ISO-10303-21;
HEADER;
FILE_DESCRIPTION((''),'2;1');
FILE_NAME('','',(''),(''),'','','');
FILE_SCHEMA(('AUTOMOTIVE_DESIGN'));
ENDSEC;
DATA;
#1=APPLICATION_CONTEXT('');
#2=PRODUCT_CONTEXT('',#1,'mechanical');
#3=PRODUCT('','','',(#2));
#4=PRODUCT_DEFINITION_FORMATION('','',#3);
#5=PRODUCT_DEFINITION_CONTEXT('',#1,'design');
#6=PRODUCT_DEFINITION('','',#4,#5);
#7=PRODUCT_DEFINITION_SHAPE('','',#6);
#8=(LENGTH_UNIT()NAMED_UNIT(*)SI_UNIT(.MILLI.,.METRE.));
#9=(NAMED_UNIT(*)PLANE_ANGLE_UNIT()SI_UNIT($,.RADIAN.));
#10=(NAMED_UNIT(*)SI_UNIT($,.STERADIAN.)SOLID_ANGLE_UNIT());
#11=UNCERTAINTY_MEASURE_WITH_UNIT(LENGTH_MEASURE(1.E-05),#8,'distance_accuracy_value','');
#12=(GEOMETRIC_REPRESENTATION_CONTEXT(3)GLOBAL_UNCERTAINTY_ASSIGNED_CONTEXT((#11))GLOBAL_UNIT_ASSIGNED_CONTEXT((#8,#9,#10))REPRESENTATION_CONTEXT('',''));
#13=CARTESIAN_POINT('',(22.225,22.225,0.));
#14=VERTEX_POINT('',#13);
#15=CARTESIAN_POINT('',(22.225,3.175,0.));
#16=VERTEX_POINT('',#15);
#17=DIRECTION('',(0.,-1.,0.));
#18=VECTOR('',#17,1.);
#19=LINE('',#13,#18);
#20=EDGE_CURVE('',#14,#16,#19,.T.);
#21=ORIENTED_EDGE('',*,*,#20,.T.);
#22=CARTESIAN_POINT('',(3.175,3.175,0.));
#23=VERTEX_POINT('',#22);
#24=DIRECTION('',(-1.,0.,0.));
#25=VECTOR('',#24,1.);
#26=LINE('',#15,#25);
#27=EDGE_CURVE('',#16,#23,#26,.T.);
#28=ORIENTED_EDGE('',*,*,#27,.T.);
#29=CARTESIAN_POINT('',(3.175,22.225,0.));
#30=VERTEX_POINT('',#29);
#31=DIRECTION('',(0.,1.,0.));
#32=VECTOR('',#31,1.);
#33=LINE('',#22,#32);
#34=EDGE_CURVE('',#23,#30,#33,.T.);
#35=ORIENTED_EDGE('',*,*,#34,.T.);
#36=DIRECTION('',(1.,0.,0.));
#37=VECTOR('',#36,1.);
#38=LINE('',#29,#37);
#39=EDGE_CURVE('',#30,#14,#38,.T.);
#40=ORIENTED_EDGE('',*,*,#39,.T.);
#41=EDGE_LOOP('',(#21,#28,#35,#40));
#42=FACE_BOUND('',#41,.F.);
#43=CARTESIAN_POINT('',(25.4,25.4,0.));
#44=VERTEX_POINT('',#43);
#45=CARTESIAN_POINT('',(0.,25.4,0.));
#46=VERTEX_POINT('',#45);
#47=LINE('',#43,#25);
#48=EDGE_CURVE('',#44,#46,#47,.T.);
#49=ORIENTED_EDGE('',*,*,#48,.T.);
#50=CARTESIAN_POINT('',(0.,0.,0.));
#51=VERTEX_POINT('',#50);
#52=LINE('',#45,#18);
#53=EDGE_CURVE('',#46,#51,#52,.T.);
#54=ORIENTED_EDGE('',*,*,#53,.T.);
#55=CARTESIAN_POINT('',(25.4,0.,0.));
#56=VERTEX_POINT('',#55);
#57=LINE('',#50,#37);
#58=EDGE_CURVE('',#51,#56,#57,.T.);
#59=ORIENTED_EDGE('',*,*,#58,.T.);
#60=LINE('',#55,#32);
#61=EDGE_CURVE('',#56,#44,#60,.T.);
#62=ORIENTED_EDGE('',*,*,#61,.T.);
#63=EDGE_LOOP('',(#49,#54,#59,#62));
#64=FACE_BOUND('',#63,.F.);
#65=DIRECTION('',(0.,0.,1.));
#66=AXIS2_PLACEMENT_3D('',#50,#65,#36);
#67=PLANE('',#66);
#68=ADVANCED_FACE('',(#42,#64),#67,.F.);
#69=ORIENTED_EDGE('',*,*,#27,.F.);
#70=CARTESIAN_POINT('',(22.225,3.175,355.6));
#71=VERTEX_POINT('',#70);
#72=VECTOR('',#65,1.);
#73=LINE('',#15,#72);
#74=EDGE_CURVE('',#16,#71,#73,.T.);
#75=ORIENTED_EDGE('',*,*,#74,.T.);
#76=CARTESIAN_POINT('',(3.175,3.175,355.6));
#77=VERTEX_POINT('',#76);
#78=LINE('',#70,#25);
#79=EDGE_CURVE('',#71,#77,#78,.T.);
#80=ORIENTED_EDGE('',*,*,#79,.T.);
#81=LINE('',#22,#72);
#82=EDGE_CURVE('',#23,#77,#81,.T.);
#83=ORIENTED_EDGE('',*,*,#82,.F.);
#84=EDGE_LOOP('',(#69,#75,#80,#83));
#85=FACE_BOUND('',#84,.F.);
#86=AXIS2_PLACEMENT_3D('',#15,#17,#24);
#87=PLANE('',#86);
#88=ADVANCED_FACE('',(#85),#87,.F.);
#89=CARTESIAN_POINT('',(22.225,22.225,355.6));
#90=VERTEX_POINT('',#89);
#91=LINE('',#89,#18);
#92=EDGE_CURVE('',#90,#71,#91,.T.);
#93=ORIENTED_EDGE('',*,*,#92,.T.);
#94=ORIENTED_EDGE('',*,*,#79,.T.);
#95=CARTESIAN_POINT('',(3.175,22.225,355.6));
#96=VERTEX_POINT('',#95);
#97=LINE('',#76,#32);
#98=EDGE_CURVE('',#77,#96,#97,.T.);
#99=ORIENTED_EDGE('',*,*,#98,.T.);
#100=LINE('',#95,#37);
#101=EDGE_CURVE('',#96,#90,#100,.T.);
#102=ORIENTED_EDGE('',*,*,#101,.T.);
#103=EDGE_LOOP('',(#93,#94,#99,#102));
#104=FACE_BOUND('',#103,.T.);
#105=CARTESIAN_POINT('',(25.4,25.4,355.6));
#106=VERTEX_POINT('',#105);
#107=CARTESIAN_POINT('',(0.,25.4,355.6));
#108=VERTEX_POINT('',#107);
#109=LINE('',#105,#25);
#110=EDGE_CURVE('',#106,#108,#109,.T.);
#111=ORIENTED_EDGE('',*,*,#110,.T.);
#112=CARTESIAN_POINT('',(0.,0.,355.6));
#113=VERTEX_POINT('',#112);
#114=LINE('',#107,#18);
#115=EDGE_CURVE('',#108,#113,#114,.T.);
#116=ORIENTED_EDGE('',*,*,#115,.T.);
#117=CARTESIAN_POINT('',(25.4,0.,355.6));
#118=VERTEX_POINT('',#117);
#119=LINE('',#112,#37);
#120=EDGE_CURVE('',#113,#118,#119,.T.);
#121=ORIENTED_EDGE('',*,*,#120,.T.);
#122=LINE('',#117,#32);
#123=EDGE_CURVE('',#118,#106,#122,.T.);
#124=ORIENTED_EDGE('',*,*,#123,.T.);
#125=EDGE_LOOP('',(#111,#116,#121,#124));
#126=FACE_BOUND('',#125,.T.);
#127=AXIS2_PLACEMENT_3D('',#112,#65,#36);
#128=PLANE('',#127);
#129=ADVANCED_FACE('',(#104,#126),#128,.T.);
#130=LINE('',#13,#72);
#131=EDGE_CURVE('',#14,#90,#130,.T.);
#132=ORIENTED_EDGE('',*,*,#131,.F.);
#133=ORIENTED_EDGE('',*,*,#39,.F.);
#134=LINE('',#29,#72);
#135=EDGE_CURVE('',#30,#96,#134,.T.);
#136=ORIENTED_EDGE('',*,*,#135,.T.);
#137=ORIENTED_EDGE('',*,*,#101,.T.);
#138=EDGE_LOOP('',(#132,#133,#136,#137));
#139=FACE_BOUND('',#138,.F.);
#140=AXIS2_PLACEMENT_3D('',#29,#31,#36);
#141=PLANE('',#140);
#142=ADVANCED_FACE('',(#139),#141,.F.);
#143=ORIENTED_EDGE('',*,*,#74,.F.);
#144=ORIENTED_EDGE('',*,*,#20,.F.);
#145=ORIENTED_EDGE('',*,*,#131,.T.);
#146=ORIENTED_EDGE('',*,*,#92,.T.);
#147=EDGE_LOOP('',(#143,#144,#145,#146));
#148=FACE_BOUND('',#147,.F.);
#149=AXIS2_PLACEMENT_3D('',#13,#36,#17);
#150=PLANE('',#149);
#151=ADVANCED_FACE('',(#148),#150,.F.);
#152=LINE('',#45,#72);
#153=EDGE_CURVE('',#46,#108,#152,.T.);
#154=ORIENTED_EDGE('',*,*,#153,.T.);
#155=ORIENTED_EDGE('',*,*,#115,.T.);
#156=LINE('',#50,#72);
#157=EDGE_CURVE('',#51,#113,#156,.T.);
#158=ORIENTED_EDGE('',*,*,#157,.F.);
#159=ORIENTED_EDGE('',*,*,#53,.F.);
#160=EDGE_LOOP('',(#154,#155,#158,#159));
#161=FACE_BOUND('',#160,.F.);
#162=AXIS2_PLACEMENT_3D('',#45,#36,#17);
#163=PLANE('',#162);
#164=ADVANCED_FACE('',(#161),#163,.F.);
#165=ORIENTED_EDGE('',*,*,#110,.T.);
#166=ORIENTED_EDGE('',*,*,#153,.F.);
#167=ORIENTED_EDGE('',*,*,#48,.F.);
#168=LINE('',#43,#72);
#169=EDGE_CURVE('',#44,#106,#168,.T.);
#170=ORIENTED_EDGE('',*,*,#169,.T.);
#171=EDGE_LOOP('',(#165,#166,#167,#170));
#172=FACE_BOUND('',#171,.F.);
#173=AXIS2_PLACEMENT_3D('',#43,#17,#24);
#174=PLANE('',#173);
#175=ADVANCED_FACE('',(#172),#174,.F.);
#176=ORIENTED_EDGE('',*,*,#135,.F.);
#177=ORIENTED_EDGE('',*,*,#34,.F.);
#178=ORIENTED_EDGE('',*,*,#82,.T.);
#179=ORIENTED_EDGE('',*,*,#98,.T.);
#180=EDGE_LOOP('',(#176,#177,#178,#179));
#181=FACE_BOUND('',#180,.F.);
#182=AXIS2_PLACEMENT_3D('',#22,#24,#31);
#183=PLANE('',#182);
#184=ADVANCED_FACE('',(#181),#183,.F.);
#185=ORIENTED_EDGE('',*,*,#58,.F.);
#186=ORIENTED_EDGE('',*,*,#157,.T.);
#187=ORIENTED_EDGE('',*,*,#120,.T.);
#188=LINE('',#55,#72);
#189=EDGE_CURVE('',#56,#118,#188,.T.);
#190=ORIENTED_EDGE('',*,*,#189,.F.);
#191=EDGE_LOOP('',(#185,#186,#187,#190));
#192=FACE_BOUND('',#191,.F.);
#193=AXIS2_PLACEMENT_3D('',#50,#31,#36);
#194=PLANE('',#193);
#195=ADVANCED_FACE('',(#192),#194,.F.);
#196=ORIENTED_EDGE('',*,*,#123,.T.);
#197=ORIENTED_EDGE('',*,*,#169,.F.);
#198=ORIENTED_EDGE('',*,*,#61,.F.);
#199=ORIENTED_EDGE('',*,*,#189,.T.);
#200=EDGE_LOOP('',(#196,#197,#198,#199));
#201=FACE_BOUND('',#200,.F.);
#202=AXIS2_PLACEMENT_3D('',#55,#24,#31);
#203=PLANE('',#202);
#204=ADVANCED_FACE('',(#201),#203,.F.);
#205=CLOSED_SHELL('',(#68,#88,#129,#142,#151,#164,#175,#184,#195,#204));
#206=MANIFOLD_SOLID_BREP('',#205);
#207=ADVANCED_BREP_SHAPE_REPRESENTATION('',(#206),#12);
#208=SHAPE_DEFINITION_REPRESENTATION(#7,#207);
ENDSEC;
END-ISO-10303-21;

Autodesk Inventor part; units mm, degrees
ref_plane "YZ Plane" through (0, 0, 0) normal (1, 0, 0) x (0, 1, 0)
ref_plane "XZ Plane" through (0, 0, 0) normal (0, 1, 0) x (-1, 0, 0)
ref_plane "XY Plane" through (0, 0, 0) normal (0, 0, 1) x (1, 0, 0)
sketch "Sketch1" plane through (0, 0, 0) normal (0, 0, 1) x (1, 0, 0)
  line L0 (0, 0) -> (25.4, 0)
  line L1 (25.4, 0) -> (25.4, 25.4)
  line L2 (25.4, 25.4) -> (0, 25.4)
  line L3 (0, 25.4) -> (0, 0)
  line L4 (3.175, 22.225) -> (22.225, 22.225)
  line L5 (22.225, 22.225) -> (22.225, 3.175)
  line L6 (22.225, 3.175) -> (3.175, 3.175)
  line L7 (3.175, 3.175) -> (3.175, 22.225)
  dimension "d0" = 25.4
  dimension "d1" = 25.4
  dimension "d2" = 3.175
extrude "Extrusion1" add sketch "Sketch1" along normal blind 355.6
properties part number "15102898-16-P-0101" material "Aluminum 6061"
